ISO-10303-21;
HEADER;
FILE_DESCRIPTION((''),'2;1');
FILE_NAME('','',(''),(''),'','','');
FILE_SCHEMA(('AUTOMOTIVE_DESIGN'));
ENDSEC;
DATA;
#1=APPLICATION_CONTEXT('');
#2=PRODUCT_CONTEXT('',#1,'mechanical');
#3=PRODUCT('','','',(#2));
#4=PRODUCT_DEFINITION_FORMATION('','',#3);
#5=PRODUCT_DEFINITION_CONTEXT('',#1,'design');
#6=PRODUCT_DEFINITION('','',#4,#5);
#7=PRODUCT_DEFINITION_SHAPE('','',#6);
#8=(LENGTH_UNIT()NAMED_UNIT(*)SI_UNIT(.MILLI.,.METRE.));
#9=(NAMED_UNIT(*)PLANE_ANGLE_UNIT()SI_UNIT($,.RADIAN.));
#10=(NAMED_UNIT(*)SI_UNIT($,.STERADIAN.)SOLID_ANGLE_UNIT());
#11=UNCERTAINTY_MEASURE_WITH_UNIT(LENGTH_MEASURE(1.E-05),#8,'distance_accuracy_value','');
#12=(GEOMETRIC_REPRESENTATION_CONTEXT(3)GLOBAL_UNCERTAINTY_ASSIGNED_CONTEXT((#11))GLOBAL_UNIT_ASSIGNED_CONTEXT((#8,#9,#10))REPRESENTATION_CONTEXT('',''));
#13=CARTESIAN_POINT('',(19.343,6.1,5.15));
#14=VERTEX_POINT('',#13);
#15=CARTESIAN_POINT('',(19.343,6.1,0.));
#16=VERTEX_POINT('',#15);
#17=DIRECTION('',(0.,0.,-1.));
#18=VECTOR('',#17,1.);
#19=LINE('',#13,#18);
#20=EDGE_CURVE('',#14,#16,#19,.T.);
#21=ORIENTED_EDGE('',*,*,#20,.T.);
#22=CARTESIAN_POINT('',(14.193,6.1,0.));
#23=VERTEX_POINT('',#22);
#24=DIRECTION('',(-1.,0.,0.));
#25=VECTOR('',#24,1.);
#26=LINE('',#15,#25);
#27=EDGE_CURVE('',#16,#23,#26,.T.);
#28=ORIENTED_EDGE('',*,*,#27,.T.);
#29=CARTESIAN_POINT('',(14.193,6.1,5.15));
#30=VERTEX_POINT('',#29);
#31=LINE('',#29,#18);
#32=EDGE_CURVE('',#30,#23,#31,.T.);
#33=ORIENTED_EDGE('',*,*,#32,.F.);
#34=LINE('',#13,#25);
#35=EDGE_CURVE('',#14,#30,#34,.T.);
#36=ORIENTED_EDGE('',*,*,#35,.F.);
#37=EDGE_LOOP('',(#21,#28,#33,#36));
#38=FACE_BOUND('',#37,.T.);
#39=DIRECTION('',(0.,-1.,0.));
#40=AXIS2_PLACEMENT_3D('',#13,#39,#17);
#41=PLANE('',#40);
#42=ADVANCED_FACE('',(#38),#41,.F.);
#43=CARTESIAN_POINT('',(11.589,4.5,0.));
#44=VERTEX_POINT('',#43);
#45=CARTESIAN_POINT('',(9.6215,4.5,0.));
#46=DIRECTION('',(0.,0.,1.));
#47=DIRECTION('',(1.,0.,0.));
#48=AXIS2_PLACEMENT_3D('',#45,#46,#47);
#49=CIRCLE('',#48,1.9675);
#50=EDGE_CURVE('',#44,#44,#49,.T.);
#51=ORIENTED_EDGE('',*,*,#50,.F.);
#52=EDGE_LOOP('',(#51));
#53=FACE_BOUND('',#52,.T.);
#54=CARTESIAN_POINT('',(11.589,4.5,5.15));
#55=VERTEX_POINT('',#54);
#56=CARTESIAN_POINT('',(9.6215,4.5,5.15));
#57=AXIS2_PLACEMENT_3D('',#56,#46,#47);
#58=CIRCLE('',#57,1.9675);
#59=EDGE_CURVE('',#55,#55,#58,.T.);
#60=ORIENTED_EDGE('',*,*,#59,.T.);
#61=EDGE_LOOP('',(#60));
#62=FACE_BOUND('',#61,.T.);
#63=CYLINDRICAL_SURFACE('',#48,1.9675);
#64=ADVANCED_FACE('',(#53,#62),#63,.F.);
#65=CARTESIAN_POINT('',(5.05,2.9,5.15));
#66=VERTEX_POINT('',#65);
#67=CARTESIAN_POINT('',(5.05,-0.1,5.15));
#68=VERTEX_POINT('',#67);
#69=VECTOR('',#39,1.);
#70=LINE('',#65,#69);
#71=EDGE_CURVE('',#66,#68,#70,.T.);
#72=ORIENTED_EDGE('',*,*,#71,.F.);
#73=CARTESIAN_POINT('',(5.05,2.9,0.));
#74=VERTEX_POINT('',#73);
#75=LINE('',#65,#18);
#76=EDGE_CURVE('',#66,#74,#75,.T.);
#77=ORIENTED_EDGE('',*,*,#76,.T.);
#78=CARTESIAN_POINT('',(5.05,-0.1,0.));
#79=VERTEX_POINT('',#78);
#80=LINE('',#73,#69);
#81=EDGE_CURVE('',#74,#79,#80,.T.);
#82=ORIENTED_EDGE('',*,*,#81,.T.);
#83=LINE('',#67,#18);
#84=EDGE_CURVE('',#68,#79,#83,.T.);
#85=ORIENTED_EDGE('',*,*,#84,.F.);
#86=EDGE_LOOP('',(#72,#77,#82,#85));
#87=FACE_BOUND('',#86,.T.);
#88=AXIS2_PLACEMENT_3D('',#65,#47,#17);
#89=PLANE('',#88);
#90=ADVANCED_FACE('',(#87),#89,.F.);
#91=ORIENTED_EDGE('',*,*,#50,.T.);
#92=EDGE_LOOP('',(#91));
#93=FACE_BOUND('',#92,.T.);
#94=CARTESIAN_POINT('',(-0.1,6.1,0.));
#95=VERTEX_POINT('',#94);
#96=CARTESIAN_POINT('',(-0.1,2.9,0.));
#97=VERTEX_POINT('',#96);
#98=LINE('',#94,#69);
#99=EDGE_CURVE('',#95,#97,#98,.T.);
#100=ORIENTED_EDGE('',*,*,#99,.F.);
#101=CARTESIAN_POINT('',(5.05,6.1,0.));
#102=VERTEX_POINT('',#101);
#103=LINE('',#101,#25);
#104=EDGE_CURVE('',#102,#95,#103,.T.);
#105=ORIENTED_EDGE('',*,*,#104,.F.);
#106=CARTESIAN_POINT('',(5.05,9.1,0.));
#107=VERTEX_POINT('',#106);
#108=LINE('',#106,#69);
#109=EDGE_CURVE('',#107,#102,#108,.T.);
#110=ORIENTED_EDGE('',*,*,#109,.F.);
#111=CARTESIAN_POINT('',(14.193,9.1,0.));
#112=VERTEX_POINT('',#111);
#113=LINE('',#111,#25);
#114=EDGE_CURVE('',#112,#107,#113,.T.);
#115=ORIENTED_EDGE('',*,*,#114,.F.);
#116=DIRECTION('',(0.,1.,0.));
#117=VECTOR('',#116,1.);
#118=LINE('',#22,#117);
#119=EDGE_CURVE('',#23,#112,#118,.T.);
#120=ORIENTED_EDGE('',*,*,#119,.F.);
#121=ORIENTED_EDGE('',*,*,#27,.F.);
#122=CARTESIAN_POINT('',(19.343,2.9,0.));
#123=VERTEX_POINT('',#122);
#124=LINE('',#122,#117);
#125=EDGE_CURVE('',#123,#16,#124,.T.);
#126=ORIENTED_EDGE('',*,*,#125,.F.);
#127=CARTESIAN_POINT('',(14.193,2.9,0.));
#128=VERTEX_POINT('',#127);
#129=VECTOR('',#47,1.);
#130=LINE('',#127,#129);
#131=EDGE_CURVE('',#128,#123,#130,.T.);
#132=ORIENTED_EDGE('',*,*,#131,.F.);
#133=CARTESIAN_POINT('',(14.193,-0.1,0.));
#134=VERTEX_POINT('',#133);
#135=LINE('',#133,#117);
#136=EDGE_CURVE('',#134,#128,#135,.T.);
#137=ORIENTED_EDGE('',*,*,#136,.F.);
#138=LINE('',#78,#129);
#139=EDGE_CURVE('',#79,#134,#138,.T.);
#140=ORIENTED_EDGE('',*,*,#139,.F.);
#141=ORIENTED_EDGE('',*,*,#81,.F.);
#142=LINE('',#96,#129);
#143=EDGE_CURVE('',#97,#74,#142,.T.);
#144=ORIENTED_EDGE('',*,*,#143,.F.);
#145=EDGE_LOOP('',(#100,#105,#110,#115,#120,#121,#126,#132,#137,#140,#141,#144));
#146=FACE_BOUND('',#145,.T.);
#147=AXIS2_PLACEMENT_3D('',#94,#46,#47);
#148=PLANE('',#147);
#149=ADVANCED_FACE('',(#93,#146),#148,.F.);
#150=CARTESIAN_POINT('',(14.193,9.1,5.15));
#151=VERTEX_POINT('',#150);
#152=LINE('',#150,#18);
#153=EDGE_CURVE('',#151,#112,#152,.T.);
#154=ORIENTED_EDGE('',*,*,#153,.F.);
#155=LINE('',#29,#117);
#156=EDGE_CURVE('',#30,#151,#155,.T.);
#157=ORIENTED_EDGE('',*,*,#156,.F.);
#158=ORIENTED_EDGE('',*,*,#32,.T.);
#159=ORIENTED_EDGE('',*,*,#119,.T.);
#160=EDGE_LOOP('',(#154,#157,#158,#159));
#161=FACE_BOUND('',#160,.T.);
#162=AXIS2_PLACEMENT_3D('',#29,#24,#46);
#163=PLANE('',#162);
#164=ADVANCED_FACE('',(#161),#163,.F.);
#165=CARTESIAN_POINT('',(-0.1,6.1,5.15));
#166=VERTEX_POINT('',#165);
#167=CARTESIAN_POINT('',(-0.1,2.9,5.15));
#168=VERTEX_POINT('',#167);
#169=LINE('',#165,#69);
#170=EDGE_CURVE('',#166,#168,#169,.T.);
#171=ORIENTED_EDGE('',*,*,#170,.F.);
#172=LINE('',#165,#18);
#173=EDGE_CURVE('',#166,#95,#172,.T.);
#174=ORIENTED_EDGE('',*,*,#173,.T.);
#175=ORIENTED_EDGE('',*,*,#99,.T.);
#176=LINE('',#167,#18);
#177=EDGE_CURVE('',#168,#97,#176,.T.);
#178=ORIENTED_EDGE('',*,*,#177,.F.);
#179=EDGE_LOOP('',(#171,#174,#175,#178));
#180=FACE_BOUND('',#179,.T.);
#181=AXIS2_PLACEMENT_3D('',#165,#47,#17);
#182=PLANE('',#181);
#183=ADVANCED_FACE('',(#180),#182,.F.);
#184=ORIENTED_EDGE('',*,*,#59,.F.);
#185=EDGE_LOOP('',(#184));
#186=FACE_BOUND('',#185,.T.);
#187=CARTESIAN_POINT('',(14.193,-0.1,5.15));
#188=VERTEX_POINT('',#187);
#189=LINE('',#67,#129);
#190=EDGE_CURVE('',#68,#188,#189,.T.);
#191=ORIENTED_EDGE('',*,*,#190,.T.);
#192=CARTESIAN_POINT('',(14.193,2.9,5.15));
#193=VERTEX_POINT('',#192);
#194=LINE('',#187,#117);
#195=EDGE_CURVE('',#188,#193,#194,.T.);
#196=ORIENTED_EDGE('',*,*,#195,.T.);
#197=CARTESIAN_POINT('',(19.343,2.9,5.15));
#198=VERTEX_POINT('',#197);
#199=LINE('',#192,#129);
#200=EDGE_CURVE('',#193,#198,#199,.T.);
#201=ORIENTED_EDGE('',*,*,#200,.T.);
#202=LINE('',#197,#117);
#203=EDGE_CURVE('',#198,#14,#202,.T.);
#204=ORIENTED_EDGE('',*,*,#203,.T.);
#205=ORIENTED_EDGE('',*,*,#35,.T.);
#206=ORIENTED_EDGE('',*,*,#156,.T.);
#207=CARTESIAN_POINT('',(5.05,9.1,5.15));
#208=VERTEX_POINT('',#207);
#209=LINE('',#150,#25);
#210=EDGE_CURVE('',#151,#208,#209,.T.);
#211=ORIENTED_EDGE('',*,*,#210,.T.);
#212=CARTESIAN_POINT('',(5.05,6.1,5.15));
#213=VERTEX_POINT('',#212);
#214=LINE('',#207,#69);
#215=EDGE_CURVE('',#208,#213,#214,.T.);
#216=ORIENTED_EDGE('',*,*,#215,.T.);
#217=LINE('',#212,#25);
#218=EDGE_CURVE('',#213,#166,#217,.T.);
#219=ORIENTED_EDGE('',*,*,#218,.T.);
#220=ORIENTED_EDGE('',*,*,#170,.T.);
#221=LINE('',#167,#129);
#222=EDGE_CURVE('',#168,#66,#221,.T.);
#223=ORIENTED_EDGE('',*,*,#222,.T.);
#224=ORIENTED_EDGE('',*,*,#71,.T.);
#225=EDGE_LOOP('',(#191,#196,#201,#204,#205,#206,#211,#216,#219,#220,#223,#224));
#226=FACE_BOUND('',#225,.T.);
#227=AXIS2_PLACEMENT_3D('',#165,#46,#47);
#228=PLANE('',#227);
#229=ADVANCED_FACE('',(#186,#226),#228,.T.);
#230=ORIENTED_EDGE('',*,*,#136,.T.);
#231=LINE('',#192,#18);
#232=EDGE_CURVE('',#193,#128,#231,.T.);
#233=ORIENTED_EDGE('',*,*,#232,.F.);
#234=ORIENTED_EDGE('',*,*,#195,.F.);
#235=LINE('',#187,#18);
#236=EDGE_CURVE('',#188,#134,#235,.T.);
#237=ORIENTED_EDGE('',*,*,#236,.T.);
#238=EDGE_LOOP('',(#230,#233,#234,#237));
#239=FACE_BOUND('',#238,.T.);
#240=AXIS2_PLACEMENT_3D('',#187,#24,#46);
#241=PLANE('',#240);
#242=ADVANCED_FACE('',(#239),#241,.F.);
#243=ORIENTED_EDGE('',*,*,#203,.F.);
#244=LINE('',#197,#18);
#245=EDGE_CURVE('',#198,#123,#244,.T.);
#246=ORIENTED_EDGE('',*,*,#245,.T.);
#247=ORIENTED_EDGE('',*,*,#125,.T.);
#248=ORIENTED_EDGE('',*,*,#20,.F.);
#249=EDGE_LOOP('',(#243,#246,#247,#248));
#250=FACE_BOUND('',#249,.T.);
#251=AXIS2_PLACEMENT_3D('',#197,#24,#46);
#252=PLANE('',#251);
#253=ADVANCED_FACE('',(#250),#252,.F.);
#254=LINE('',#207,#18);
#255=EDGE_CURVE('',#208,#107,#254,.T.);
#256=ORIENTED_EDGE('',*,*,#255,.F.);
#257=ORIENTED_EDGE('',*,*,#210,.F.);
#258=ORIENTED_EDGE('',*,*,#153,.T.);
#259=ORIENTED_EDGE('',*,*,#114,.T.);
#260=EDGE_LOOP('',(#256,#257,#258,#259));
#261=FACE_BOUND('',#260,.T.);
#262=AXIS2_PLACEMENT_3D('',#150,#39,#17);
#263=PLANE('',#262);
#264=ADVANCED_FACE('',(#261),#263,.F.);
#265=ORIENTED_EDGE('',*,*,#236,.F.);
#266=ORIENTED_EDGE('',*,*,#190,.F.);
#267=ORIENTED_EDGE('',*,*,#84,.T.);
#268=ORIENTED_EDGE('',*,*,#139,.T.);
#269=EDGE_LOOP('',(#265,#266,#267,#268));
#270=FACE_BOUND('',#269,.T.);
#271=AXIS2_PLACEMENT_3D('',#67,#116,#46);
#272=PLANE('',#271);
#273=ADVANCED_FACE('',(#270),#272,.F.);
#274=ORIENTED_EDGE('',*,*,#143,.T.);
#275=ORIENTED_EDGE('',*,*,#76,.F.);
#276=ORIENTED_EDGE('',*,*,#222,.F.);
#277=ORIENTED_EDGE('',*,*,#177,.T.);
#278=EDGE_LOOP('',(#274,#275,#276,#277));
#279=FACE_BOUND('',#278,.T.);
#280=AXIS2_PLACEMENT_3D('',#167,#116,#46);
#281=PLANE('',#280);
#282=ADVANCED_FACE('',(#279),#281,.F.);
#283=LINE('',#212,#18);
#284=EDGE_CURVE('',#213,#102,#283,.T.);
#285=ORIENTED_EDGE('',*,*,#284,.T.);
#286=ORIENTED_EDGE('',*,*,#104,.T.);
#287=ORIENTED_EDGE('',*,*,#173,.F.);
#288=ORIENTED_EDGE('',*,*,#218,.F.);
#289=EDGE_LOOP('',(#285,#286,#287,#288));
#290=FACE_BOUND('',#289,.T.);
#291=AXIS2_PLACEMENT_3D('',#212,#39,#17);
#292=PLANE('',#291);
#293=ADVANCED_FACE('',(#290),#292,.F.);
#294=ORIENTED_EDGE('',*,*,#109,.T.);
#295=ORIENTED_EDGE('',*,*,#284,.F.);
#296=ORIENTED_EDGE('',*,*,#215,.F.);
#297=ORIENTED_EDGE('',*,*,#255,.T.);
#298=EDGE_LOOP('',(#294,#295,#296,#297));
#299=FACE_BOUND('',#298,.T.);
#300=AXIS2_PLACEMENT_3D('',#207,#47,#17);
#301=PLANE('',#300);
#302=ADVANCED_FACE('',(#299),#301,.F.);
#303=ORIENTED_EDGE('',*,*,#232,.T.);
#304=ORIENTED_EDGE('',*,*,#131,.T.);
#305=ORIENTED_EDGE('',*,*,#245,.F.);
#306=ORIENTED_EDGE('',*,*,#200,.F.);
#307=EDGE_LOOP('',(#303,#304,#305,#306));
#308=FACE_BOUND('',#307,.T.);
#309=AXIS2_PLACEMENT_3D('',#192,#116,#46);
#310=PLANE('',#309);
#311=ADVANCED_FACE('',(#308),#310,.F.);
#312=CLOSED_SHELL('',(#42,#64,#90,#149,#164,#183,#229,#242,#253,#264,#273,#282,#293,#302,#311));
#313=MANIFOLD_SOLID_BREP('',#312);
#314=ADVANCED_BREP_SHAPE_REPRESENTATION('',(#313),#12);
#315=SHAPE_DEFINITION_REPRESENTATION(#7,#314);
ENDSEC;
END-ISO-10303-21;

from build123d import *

# Parameters (mm, degrees)
BOSS_EXTRUDE1_DEPTH = 5.15
SKETCH2_R           = 1.9675
CUT_EXTRUDE1_DEPTH  = 6.15


with BuildPart() as part:
    # Sketch1 → Boss-Extrude1 (new body)
    with BuildSketch(Plane.XY):
        Polygon((-0.1, 6.1), (-0.1, 2.9), (5.05, 2.9), (5.05, -0.1), (14.193, -0.1), (14.193, 2.9), (19.343, 2.9), (19.343, 6.1), (14.193, 6.1), (14.193, 9.1), (5.05, 9.1), (5.05, 6.1), align=None)
    extrude(amount=BOSS_EXTRUDE1_DEPTH)

    # Sketch2 → Cut-Extrude1 (cut, through all)
    with BuildSketch(Plane.XY.offset(5.15)):
        with Locations((9.6215, 4.5)):
            Circle(SKETCH2_R)
    extrude(amount=-CUT_EXTRUDE1_DEPTH, mode=Mode.SUBTRACT)


solid = part.part
